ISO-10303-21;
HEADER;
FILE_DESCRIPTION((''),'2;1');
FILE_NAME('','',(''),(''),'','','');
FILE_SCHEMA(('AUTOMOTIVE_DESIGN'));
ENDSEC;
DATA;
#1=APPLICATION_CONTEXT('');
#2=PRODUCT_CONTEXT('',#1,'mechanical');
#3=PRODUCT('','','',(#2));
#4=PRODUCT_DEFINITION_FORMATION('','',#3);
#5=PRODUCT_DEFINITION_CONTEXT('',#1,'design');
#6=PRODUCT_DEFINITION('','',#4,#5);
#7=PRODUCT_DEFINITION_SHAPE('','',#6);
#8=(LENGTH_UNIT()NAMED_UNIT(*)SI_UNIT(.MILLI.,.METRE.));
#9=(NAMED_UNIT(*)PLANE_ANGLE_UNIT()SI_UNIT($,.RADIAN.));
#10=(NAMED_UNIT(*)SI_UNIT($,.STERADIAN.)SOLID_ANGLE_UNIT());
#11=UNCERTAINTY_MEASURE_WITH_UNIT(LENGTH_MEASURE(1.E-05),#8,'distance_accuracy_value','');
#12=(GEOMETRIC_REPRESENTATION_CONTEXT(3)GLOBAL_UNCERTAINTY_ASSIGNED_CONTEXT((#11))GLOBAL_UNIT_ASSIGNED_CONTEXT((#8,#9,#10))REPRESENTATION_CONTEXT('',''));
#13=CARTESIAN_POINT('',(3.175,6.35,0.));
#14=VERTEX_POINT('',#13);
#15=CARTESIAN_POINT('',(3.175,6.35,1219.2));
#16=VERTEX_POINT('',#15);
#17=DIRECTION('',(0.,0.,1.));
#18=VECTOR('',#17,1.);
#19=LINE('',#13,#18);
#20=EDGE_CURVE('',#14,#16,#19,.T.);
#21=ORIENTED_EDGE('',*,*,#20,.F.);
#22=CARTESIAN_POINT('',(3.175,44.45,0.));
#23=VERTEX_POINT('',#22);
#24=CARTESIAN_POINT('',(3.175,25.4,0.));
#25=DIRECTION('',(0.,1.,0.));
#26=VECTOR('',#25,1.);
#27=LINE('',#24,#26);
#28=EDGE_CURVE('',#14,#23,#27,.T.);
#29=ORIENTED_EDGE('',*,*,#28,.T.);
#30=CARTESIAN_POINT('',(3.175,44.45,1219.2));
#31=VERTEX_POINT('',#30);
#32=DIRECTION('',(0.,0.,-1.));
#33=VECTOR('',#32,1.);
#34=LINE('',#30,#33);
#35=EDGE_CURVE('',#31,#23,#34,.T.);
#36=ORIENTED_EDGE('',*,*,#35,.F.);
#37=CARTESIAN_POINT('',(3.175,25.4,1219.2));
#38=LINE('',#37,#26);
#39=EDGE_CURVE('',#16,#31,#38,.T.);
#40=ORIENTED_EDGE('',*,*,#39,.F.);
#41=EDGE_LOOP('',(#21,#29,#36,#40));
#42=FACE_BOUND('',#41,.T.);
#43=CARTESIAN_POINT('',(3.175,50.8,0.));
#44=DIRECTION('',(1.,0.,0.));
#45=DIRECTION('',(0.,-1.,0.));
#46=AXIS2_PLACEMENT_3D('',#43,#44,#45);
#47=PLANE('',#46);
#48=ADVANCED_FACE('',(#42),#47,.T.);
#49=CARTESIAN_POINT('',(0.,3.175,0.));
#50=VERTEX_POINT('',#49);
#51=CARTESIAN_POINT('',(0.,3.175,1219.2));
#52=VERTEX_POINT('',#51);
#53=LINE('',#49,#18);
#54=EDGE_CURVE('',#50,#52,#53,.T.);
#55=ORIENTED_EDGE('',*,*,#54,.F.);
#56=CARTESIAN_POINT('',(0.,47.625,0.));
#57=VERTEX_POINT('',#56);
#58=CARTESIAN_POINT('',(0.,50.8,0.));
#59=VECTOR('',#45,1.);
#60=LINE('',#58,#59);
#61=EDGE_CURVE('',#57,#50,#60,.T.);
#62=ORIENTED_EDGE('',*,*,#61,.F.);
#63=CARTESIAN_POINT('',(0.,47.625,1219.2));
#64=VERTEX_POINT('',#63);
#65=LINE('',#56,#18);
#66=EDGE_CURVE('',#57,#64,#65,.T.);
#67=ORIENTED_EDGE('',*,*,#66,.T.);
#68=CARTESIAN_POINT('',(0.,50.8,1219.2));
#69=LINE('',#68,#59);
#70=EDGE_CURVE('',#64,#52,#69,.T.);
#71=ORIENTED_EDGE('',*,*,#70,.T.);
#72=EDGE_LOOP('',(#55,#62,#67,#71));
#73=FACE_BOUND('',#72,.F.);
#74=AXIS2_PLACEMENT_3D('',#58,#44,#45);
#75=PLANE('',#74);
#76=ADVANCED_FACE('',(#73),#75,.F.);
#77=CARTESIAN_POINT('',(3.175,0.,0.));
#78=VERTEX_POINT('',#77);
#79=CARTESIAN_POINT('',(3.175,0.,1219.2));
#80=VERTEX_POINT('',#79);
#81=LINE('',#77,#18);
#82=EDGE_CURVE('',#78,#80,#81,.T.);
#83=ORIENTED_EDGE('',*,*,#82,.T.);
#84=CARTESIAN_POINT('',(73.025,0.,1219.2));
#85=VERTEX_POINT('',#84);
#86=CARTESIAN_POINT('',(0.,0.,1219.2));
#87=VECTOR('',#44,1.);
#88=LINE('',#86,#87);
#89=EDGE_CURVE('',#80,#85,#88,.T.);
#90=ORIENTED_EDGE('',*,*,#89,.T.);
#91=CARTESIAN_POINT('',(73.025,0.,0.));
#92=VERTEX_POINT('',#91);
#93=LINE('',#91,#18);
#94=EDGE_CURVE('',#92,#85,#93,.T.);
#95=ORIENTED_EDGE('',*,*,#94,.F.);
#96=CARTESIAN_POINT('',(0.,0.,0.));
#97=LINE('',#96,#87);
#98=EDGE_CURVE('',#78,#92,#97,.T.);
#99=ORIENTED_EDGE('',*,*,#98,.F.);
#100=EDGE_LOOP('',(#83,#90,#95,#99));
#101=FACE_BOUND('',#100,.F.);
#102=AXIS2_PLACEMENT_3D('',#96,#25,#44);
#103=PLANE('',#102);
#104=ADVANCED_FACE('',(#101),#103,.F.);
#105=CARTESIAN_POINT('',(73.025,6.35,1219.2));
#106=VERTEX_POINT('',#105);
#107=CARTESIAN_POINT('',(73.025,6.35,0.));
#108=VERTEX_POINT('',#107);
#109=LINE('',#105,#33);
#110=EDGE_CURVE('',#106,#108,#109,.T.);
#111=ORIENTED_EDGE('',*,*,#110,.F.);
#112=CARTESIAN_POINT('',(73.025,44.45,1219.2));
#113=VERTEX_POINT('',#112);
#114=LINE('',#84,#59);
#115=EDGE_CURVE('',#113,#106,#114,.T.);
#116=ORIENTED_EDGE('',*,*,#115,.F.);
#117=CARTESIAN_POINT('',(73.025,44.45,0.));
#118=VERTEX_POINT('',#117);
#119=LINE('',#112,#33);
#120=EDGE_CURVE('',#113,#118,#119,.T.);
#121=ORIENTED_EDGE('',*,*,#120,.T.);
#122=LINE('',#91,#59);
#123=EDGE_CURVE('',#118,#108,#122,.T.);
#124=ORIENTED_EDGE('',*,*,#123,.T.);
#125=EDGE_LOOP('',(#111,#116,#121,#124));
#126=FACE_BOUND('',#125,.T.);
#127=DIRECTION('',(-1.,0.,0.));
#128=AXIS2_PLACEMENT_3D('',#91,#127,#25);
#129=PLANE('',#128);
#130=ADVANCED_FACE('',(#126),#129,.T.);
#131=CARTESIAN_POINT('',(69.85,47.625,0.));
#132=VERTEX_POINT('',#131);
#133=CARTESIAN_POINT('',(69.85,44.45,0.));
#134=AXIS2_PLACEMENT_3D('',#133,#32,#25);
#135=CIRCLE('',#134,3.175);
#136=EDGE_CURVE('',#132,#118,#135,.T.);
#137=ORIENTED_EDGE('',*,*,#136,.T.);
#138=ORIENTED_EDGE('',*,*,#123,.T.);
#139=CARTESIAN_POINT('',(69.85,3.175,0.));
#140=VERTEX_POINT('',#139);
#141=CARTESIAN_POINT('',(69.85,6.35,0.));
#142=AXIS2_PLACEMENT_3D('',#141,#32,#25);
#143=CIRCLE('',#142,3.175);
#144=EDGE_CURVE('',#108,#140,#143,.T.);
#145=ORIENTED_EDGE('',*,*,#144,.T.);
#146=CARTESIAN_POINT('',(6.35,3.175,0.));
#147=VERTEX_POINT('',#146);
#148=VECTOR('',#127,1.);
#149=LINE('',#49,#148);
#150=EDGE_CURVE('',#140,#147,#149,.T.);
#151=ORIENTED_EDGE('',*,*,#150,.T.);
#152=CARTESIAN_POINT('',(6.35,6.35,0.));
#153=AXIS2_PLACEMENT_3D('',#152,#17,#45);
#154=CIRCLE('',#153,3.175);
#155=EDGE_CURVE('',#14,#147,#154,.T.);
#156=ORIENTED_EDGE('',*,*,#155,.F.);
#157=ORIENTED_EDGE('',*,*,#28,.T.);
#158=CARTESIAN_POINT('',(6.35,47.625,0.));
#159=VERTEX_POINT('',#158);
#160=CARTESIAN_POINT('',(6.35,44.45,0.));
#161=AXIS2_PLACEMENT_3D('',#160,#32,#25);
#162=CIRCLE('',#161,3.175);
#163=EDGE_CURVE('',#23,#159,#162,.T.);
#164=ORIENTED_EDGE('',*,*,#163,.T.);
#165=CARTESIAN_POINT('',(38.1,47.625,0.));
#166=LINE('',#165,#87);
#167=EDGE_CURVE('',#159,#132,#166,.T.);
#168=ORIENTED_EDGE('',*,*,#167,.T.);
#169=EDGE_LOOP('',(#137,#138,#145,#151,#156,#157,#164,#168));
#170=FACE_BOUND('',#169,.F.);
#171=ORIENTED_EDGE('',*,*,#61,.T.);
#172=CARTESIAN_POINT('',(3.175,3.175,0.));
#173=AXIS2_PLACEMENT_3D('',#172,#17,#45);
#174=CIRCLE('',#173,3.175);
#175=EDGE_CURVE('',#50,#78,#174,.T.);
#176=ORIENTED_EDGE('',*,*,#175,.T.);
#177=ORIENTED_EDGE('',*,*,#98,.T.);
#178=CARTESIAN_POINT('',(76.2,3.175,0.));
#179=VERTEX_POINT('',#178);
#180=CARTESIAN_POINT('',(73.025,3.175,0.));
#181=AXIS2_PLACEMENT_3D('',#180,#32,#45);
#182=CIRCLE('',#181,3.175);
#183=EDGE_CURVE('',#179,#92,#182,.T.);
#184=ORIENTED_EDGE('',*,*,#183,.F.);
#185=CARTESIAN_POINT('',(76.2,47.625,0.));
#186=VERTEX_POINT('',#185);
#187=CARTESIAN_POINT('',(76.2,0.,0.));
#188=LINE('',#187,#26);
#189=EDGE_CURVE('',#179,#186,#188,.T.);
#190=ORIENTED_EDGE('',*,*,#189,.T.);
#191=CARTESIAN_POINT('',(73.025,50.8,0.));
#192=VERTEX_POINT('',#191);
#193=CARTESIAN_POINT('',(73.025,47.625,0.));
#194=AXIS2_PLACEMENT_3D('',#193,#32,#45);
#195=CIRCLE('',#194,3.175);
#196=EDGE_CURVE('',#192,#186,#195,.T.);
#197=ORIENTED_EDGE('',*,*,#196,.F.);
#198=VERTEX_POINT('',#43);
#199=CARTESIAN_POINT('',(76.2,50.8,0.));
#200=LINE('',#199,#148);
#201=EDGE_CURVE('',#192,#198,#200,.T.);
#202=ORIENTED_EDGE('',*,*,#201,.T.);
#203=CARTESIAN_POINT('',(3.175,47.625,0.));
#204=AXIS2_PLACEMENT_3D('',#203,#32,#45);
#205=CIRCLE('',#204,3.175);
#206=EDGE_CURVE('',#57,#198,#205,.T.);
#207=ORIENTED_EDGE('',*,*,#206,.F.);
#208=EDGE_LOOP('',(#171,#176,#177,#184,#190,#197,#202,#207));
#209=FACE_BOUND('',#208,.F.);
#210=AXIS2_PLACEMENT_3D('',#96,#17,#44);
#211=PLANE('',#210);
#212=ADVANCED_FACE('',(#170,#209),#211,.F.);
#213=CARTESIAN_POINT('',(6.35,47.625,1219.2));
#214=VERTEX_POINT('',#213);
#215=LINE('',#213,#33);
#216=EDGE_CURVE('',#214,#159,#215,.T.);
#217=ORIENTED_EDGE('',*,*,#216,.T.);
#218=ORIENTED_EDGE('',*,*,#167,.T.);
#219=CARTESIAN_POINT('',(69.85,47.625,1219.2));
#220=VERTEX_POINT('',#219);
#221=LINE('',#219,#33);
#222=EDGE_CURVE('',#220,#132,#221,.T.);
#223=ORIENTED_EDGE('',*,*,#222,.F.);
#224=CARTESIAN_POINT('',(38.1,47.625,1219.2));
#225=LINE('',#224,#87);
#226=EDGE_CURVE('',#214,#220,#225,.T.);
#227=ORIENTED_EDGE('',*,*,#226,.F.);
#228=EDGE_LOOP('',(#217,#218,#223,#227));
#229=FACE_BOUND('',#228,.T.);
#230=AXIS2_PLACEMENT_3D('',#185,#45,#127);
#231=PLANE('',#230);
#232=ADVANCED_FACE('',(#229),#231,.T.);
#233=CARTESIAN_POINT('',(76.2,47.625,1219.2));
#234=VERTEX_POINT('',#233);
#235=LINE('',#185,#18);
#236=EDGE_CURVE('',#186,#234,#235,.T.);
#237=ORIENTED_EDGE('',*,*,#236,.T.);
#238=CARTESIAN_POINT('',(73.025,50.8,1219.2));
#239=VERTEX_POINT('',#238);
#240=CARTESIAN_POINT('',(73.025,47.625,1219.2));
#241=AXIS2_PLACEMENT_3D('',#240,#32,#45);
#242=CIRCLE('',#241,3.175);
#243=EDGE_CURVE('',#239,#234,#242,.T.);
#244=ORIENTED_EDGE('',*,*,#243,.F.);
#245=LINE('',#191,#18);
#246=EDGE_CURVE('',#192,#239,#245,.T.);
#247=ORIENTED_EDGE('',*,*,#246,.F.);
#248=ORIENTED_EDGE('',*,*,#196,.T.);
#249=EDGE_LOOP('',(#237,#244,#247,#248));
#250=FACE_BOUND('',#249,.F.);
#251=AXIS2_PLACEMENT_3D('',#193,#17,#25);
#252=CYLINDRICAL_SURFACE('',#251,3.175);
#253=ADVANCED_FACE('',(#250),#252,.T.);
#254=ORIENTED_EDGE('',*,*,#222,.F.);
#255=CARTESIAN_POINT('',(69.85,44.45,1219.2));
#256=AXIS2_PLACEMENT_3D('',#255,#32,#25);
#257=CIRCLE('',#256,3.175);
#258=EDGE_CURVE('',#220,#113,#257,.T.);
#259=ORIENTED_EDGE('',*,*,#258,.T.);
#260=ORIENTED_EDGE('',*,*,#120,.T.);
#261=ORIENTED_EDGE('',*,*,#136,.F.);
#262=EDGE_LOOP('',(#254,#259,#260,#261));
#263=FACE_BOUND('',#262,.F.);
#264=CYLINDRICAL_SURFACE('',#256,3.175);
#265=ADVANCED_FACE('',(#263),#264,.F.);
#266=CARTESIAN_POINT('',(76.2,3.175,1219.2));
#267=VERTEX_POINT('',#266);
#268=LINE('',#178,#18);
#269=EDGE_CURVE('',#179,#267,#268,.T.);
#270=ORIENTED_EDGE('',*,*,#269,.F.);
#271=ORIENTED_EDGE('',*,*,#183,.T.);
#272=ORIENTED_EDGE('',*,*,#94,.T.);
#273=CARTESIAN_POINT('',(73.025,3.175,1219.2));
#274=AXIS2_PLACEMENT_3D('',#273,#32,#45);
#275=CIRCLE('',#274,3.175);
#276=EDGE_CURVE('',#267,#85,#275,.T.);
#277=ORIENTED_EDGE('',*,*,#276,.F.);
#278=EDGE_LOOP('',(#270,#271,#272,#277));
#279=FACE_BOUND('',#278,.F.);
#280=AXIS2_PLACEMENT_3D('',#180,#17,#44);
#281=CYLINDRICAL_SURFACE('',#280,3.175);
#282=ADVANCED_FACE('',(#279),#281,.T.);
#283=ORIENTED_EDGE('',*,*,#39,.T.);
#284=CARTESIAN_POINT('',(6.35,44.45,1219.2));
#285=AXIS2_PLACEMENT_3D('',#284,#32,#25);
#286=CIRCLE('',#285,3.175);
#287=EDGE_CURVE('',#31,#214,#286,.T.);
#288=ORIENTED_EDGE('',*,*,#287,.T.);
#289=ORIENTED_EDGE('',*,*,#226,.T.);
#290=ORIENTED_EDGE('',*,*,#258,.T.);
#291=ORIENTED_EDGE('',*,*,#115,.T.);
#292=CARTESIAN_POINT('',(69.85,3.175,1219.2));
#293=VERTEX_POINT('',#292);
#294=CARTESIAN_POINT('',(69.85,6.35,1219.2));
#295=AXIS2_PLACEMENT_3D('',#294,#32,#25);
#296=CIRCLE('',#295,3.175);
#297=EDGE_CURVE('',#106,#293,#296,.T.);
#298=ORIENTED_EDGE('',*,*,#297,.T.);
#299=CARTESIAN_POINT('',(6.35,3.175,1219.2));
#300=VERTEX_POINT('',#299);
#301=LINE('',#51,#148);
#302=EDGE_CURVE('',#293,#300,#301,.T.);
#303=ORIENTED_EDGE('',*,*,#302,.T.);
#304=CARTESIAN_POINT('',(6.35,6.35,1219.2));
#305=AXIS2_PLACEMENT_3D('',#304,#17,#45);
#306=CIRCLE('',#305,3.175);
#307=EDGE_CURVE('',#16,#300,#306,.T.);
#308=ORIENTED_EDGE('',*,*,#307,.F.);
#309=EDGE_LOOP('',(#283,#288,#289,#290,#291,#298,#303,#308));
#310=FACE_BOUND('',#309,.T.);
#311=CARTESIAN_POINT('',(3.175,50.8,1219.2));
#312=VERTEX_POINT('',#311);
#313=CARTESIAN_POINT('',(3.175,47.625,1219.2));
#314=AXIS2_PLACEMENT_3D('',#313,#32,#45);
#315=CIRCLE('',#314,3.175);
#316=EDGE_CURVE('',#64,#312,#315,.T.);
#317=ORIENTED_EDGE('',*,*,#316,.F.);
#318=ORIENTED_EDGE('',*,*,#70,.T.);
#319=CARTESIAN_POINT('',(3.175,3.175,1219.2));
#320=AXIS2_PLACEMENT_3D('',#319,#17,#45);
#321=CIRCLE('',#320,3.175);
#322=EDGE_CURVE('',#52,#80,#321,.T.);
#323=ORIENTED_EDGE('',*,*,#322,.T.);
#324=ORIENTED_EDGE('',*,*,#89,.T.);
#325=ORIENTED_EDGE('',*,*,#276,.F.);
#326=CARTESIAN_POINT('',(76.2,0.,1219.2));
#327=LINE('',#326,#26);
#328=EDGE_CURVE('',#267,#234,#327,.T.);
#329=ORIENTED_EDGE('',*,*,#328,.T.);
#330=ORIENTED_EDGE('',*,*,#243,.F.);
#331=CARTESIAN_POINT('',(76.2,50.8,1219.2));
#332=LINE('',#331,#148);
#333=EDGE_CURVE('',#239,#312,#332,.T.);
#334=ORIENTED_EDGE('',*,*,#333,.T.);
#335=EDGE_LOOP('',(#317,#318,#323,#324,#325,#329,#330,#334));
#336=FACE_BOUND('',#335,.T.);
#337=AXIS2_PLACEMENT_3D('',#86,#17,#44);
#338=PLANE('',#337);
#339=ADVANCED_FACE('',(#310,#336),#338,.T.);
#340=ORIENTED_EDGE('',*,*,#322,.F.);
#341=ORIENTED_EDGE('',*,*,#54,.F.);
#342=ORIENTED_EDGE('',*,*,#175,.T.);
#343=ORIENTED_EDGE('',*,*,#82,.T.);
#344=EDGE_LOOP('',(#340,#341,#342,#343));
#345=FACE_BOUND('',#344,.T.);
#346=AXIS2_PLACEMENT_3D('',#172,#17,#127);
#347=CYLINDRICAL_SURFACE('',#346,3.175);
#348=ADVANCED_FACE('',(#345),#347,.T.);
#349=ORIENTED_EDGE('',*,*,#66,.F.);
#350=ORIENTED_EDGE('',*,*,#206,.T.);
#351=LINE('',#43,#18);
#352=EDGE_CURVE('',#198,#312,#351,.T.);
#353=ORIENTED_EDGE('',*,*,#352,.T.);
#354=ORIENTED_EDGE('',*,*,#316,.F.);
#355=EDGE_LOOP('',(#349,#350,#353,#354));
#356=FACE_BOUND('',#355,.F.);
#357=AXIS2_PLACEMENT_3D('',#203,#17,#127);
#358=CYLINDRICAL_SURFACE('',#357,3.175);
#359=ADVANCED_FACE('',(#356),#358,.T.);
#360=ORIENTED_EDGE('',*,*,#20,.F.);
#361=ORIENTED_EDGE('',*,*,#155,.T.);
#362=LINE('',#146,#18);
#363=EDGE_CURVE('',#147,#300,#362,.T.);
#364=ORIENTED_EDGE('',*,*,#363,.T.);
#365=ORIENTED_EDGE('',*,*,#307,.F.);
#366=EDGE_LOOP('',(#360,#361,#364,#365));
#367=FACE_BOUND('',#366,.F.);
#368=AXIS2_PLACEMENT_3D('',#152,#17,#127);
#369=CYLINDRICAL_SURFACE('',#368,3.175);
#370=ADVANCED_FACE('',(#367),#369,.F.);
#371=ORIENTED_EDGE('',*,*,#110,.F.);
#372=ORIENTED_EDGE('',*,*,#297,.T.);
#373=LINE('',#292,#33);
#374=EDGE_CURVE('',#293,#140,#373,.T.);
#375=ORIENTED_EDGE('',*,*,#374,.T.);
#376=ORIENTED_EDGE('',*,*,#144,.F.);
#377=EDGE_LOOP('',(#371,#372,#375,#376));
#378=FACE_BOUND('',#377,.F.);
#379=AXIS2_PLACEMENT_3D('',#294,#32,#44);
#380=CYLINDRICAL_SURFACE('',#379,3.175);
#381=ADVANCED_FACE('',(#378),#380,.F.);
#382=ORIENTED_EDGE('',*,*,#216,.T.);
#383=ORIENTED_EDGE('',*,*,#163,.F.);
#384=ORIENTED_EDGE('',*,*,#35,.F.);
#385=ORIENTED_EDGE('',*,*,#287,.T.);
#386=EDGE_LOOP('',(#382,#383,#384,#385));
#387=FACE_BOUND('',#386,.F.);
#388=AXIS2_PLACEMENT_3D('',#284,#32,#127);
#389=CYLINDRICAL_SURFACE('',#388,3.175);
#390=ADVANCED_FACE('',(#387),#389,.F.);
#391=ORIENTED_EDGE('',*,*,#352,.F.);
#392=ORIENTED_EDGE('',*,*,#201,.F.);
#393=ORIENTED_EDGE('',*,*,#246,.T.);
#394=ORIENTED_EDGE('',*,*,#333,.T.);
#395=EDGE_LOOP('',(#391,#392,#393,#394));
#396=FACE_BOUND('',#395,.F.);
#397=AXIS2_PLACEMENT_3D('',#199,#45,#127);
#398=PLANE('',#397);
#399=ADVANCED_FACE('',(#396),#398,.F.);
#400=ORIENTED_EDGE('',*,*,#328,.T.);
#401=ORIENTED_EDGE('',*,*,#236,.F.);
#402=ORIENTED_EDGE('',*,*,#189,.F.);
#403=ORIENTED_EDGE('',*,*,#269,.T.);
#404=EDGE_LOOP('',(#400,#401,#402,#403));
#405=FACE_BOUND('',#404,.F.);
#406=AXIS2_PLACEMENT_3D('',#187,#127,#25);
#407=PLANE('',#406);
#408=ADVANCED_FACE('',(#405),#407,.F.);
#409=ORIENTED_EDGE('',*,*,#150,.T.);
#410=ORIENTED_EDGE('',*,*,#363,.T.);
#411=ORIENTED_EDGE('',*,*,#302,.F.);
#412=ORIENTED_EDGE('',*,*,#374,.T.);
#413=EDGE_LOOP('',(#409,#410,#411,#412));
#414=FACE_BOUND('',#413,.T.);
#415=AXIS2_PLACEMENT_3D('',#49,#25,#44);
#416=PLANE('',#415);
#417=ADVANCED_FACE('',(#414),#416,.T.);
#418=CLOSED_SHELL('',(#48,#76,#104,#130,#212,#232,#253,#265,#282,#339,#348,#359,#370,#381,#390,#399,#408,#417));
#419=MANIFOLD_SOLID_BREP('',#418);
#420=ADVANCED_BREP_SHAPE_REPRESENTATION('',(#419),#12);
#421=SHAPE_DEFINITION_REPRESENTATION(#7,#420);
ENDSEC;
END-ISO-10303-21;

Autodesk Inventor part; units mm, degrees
ref_plane "YZ Plane" through (0, 0, 0) normal (1, 0, 0) x (0, 1, 0)
ref_plane "XZ Plane" through (0, 0, 0) normal (0, 1, 0) x (-1, 0, 0)
ref_plane "XY Plane" through (0, 0, 0) normal (0, 0, 1) x (1, 0, 0)
sketch "Sketch1" plane through (0, 0, 0) normal (0, 0, 1) x (1, 0, 0)
  line L0 (0, 0) -> (76.2, 0)
  line L1 (76.2, 0) -> (76.2, 50.8)
  line L2 (76.2, 50.8) -> (0, 50.8)
  line L3 (0, 50.8) -> (0, 0)
  dimension "d0" = 76.2
  dimension "d1" = 50.8
extrude "Extrusion1" add sketch "Sketch1" along normal blind 1219.2
shell "Shell1" thickness 3.175 removed faces 2 at (50.8, 16.9333, 0) at (50.8, 16.9333, 1219.2)
fillet "Fillet1" radius 3.175 8 edges at (0, 50.8, 609.6) (3.175, 3.175, 609.6) (73.025, 3.175, 609.6) (3.175, 47.625, 609.6) (73.025, 47.625, 609.6) (76.2, 50.8, 609.6) (0, 0, 609.6) (76.2, 0, 609.6)
properties part number "2x3_Tube"
